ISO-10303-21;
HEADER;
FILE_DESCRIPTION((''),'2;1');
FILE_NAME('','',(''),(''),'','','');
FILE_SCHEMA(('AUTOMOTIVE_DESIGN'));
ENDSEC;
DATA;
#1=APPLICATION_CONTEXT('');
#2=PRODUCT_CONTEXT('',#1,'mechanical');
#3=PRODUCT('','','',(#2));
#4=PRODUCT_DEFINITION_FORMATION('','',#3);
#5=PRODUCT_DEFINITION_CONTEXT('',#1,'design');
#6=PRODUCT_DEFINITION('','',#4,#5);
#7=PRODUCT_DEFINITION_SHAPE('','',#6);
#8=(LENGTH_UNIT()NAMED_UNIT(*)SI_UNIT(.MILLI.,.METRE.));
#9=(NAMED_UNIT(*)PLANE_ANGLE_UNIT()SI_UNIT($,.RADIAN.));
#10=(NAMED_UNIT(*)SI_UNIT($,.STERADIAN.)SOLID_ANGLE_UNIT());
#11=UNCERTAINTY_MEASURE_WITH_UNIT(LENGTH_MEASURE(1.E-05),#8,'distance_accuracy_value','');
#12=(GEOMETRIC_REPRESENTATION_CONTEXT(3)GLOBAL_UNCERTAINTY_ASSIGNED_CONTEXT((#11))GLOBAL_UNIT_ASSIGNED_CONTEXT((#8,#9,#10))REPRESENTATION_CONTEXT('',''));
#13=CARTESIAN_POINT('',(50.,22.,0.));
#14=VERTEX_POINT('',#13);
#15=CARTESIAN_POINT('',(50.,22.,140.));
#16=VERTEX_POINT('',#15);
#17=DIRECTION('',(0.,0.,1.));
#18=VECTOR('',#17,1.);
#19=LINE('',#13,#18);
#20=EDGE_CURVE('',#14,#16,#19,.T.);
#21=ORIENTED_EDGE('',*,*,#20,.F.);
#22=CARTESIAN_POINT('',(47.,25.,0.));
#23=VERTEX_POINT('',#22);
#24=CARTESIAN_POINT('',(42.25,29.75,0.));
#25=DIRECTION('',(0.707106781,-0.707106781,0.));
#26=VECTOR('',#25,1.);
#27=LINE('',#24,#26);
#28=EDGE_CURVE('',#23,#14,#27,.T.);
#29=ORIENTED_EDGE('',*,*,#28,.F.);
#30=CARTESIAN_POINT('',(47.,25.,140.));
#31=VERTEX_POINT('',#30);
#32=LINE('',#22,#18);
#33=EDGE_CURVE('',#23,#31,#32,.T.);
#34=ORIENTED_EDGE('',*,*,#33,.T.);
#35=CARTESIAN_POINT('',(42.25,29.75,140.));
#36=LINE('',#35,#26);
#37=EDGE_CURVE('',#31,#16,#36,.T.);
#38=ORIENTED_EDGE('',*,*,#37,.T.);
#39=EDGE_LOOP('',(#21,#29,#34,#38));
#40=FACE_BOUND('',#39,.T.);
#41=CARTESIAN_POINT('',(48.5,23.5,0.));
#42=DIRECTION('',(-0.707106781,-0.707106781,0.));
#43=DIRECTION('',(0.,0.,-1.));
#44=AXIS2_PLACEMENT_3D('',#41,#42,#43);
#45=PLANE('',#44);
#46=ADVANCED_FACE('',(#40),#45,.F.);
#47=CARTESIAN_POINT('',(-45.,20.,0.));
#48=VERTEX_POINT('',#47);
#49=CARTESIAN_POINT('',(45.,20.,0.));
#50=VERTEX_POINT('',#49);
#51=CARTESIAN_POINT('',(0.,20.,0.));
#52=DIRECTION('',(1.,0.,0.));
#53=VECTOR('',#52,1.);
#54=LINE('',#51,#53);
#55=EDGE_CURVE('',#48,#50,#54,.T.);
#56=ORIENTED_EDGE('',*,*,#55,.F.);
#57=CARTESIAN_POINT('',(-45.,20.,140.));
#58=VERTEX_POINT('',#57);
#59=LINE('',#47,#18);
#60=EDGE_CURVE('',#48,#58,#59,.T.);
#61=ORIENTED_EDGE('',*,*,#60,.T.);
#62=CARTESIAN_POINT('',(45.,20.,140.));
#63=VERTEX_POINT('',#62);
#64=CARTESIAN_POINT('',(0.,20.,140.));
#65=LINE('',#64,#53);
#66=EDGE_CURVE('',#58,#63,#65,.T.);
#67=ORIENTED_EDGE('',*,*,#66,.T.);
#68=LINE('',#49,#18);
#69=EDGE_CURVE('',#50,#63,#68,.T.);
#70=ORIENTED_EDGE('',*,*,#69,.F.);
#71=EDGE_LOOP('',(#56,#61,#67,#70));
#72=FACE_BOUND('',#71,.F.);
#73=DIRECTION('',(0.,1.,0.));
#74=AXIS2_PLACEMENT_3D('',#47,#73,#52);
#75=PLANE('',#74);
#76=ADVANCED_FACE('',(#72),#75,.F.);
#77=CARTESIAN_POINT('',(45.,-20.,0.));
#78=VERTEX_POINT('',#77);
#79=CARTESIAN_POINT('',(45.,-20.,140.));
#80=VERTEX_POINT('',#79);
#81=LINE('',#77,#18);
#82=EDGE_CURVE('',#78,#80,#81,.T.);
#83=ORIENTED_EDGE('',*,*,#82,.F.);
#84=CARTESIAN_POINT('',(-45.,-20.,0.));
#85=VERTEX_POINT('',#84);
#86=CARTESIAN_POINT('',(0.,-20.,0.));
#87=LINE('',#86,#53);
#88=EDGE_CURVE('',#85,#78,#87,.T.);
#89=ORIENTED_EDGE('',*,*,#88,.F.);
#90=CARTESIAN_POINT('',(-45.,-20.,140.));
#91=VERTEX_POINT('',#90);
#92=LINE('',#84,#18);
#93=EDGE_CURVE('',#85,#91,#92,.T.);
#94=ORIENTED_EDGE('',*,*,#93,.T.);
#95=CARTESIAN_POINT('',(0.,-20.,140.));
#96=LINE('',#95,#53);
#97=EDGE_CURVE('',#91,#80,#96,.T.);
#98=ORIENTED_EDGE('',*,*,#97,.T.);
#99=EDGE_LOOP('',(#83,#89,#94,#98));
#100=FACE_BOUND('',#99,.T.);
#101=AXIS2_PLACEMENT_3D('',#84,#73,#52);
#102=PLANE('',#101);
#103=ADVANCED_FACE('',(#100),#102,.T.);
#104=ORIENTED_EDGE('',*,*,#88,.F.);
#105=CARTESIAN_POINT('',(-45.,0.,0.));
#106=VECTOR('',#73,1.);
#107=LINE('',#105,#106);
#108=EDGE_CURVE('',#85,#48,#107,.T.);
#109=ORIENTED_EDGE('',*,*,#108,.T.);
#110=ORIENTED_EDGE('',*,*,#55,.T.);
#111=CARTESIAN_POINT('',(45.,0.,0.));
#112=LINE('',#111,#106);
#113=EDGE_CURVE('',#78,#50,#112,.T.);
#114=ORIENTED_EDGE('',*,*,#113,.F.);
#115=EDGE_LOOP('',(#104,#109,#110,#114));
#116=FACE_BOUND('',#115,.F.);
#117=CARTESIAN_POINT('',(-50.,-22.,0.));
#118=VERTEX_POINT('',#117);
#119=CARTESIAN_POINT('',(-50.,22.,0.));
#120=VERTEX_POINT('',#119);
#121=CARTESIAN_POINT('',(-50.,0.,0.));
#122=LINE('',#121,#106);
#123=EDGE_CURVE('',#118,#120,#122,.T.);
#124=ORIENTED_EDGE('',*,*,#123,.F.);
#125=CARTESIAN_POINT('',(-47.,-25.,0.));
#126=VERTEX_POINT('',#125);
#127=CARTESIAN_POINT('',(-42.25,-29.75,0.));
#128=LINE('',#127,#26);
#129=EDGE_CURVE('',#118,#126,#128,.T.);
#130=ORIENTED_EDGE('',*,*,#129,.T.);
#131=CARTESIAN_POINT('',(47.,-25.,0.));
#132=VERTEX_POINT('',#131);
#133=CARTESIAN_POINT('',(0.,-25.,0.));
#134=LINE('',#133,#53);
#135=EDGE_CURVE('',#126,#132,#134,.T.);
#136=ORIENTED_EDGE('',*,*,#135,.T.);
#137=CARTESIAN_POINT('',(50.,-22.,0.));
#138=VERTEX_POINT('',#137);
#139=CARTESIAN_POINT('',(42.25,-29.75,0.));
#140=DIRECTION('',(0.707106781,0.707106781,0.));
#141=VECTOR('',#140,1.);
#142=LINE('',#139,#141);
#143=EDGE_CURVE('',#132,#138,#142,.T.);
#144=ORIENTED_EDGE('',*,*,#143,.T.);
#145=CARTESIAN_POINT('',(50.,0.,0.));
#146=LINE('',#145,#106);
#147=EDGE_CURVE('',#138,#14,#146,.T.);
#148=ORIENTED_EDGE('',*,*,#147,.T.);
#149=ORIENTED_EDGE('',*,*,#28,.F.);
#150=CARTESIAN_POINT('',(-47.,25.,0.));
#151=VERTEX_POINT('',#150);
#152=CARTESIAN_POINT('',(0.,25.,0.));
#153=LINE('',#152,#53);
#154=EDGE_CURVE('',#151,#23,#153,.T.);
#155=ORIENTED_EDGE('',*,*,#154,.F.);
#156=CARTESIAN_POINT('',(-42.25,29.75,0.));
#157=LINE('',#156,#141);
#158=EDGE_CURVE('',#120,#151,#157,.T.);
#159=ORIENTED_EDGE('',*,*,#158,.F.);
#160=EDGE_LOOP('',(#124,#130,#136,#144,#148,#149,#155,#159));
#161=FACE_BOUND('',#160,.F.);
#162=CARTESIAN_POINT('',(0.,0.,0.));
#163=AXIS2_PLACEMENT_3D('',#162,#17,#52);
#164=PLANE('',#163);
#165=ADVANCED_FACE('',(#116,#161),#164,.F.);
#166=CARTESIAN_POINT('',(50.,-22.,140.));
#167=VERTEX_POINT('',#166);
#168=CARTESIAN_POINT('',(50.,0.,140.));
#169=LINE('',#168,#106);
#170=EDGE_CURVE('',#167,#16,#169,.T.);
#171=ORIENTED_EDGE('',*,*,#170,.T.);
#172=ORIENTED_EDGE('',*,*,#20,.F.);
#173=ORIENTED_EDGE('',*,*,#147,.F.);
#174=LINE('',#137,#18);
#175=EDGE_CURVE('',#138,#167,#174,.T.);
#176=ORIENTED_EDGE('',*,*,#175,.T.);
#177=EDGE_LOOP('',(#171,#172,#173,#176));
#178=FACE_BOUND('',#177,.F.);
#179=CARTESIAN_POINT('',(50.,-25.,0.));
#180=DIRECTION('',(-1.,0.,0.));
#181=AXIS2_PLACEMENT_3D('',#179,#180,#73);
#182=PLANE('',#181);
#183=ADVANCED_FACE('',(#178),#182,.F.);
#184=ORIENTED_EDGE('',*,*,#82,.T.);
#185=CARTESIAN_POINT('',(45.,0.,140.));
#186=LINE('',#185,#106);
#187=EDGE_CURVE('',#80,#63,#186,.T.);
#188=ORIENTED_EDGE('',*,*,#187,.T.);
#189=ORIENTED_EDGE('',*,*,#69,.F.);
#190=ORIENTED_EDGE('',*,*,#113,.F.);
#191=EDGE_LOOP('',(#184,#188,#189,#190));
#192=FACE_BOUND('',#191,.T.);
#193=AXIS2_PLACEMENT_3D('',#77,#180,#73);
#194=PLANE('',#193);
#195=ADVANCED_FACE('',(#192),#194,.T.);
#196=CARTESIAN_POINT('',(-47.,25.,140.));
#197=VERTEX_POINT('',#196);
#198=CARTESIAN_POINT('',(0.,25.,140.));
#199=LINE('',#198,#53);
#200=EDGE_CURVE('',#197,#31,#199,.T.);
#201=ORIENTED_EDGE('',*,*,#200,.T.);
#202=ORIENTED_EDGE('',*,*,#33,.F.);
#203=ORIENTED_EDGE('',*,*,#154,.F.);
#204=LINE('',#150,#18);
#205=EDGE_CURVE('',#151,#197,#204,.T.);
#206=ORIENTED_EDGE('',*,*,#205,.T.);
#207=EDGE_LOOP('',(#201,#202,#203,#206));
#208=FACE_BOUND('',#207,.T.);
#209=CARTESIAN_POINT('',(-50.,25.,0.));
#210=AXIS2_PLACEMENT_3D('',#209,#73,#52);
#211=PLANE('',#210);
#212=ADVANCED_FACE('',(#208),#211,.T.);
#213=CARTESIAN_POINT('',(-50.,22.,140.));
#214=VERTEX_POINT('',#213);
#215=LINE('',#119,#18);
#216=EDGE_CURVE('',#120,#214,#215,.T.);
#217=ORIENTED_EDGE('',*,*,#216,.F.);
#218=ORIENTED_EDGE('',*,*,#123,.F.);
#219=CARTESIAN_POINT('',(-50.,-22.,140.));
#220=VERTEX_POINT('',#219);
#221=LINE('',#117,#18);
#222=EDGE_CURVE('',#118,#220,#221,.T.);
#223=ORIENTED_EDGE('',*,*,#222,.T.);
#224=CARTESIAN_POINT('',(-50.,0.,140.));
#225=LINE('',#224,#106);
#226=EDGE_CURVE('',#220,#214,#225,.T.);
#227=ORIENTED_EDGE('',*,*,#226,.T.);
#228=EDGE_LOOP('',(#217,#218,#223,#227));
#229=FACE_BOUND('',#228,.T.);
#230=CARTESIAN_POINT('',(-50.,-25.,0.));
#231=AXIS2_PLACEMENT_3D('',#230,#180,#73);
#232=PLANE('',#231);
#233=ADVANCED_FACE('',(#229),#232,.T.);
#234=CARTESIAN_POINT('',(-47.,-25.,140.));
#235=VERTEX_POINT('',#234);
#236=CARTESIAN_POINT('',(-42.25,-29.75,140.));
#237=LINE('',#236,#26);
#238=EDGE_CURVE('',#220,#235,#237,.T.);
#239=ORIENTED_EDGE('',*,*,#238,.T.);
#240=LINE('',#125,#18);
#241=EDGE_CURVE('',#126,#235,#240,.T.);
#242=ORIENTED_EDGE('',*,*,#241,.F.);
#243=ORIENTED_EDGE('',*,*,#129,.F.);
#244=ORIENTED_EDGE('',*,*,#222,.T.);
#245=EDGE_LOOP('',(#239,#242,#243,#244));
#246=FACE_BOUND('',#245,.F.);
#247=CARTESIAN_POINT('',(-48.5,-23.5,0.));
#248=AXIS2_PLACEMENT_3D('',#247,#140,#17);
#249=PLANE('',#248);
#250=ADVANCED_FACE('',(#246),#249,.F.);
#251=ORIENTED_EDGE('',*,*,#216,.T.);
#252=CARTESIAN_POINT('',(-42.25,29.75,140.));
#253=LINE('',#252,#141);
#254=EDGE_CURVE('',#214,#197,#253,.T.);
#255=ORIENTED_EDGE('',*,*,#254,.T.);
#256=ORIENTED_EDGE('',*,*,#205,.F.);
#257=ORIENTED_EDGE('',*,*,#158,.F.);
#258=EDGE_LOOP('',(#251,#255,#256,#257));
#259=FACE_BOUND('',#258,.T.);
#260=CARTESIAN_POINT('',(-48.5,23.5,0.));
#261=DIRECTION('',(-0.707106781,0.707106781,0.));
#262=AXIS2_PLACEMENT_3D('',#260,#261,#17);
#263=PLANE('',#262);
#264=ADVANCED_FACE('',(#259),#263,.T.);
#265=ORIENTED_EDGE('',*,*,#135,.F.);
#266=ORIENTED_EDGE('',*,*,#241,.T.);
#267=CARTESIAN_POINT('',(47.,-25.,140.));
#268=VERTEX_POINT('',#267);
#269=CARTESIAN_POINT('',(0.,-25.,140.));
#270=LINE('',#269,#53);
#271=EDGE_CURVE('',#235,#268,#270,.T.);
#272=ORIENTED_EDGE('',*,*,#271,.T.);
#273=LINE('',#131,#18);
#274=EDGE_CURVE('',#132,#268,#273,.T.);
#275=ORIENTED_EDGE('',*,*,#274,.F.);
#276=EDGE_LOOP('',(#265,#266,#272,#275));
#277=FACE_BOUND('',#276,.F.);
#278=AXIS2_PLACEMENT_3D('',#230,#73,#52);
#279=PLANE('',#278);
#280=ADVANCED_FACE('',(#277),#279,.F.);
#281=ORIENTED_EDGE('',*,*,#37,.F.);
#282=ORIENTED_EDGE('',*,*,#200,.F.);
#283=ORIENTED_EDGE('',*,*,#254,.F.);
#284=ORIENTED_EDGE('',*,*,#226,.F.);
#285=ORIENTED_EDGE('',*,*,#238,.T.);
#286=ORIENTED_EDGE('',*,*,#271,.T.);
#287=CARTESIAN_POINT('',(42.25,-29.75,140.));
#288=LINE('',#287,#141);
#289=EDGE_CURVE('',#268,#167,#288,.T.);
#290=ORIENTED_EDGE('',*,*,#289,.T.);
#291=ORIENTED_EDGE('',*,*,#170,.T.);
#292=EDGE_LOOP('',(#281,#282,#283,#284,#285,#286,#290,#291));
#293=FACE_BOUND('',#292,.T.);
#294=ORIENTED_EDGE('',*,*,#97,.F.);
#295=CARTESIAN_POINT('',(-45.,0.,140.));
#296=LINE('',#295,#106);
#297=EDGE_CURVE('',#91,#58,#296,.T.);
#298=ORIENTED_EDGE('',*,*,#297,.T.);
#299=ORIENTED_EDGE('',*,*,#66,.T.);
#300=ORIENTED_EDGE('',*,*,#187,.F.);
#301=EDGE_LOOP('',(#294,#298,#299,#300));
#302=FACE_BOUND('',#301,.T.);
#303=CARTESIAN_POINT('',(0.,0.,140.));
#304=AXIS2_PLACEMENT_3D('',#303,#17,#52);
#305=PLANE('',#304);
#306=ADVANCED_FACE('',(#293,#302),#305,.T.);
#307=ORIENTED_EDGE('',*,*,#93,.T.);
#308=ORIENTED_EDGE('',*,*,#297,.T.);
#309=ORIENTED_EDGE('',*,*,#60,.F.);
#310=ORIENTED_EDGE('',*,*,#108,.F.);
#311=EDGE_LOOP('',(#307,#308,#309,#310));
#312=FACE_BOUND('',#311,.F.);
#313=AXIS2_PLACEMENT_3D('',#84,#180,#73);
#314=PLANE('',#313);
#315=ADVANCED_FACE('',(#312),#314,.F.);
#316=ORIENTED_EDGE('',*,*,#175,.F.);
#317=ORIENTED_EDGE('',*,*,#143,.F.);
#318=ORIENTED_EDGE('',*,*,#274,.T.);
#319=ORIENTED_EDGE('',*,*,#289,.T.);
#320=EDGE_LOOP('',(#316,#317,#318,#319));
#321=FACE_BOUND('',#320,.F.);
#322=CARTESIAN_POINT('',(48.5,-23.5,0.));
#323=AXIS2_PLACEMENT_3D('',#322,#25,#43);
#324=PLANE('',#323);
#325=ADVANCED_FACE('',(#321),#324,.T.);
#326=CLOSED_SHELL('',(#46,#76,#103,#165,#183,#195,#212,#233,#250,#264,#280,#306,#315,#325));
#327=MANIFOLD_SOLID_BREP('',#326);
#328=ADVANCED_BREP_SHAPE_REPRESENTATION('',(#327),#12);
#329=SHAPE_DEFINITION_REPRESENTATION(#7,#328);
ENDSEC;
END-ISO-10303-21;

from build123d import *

# Parameters (mm, degrees)
F0_W     = 100
F0_H     = 50
F0_W_2   = 90
F0_H_2   = 40
F1_DEPTH = 140
F2_SIZE  = 3


with BuildPart() as f1:
    # F0 (on Top) → F1 (new body)
    with BuildSketch(Plane.XY):
        Rectangle(F0_W, F0_H)
        Rectangle(F0_W_2, F0_H_2, mode=Mode.SUBTRACT)
    extrude(amount=F1_DEPTH)

    # F2
    f2_edges = [f1.edges().sort_by_distance(p)[0] for p in [
        (50, -25, 70),
        (50, 25, 70),
        (-50, -25, 70),
        (-50, 25, 70),
    ]]
    chamfer(f2_edges, length=F2_SIZE)


solid = f1.part
